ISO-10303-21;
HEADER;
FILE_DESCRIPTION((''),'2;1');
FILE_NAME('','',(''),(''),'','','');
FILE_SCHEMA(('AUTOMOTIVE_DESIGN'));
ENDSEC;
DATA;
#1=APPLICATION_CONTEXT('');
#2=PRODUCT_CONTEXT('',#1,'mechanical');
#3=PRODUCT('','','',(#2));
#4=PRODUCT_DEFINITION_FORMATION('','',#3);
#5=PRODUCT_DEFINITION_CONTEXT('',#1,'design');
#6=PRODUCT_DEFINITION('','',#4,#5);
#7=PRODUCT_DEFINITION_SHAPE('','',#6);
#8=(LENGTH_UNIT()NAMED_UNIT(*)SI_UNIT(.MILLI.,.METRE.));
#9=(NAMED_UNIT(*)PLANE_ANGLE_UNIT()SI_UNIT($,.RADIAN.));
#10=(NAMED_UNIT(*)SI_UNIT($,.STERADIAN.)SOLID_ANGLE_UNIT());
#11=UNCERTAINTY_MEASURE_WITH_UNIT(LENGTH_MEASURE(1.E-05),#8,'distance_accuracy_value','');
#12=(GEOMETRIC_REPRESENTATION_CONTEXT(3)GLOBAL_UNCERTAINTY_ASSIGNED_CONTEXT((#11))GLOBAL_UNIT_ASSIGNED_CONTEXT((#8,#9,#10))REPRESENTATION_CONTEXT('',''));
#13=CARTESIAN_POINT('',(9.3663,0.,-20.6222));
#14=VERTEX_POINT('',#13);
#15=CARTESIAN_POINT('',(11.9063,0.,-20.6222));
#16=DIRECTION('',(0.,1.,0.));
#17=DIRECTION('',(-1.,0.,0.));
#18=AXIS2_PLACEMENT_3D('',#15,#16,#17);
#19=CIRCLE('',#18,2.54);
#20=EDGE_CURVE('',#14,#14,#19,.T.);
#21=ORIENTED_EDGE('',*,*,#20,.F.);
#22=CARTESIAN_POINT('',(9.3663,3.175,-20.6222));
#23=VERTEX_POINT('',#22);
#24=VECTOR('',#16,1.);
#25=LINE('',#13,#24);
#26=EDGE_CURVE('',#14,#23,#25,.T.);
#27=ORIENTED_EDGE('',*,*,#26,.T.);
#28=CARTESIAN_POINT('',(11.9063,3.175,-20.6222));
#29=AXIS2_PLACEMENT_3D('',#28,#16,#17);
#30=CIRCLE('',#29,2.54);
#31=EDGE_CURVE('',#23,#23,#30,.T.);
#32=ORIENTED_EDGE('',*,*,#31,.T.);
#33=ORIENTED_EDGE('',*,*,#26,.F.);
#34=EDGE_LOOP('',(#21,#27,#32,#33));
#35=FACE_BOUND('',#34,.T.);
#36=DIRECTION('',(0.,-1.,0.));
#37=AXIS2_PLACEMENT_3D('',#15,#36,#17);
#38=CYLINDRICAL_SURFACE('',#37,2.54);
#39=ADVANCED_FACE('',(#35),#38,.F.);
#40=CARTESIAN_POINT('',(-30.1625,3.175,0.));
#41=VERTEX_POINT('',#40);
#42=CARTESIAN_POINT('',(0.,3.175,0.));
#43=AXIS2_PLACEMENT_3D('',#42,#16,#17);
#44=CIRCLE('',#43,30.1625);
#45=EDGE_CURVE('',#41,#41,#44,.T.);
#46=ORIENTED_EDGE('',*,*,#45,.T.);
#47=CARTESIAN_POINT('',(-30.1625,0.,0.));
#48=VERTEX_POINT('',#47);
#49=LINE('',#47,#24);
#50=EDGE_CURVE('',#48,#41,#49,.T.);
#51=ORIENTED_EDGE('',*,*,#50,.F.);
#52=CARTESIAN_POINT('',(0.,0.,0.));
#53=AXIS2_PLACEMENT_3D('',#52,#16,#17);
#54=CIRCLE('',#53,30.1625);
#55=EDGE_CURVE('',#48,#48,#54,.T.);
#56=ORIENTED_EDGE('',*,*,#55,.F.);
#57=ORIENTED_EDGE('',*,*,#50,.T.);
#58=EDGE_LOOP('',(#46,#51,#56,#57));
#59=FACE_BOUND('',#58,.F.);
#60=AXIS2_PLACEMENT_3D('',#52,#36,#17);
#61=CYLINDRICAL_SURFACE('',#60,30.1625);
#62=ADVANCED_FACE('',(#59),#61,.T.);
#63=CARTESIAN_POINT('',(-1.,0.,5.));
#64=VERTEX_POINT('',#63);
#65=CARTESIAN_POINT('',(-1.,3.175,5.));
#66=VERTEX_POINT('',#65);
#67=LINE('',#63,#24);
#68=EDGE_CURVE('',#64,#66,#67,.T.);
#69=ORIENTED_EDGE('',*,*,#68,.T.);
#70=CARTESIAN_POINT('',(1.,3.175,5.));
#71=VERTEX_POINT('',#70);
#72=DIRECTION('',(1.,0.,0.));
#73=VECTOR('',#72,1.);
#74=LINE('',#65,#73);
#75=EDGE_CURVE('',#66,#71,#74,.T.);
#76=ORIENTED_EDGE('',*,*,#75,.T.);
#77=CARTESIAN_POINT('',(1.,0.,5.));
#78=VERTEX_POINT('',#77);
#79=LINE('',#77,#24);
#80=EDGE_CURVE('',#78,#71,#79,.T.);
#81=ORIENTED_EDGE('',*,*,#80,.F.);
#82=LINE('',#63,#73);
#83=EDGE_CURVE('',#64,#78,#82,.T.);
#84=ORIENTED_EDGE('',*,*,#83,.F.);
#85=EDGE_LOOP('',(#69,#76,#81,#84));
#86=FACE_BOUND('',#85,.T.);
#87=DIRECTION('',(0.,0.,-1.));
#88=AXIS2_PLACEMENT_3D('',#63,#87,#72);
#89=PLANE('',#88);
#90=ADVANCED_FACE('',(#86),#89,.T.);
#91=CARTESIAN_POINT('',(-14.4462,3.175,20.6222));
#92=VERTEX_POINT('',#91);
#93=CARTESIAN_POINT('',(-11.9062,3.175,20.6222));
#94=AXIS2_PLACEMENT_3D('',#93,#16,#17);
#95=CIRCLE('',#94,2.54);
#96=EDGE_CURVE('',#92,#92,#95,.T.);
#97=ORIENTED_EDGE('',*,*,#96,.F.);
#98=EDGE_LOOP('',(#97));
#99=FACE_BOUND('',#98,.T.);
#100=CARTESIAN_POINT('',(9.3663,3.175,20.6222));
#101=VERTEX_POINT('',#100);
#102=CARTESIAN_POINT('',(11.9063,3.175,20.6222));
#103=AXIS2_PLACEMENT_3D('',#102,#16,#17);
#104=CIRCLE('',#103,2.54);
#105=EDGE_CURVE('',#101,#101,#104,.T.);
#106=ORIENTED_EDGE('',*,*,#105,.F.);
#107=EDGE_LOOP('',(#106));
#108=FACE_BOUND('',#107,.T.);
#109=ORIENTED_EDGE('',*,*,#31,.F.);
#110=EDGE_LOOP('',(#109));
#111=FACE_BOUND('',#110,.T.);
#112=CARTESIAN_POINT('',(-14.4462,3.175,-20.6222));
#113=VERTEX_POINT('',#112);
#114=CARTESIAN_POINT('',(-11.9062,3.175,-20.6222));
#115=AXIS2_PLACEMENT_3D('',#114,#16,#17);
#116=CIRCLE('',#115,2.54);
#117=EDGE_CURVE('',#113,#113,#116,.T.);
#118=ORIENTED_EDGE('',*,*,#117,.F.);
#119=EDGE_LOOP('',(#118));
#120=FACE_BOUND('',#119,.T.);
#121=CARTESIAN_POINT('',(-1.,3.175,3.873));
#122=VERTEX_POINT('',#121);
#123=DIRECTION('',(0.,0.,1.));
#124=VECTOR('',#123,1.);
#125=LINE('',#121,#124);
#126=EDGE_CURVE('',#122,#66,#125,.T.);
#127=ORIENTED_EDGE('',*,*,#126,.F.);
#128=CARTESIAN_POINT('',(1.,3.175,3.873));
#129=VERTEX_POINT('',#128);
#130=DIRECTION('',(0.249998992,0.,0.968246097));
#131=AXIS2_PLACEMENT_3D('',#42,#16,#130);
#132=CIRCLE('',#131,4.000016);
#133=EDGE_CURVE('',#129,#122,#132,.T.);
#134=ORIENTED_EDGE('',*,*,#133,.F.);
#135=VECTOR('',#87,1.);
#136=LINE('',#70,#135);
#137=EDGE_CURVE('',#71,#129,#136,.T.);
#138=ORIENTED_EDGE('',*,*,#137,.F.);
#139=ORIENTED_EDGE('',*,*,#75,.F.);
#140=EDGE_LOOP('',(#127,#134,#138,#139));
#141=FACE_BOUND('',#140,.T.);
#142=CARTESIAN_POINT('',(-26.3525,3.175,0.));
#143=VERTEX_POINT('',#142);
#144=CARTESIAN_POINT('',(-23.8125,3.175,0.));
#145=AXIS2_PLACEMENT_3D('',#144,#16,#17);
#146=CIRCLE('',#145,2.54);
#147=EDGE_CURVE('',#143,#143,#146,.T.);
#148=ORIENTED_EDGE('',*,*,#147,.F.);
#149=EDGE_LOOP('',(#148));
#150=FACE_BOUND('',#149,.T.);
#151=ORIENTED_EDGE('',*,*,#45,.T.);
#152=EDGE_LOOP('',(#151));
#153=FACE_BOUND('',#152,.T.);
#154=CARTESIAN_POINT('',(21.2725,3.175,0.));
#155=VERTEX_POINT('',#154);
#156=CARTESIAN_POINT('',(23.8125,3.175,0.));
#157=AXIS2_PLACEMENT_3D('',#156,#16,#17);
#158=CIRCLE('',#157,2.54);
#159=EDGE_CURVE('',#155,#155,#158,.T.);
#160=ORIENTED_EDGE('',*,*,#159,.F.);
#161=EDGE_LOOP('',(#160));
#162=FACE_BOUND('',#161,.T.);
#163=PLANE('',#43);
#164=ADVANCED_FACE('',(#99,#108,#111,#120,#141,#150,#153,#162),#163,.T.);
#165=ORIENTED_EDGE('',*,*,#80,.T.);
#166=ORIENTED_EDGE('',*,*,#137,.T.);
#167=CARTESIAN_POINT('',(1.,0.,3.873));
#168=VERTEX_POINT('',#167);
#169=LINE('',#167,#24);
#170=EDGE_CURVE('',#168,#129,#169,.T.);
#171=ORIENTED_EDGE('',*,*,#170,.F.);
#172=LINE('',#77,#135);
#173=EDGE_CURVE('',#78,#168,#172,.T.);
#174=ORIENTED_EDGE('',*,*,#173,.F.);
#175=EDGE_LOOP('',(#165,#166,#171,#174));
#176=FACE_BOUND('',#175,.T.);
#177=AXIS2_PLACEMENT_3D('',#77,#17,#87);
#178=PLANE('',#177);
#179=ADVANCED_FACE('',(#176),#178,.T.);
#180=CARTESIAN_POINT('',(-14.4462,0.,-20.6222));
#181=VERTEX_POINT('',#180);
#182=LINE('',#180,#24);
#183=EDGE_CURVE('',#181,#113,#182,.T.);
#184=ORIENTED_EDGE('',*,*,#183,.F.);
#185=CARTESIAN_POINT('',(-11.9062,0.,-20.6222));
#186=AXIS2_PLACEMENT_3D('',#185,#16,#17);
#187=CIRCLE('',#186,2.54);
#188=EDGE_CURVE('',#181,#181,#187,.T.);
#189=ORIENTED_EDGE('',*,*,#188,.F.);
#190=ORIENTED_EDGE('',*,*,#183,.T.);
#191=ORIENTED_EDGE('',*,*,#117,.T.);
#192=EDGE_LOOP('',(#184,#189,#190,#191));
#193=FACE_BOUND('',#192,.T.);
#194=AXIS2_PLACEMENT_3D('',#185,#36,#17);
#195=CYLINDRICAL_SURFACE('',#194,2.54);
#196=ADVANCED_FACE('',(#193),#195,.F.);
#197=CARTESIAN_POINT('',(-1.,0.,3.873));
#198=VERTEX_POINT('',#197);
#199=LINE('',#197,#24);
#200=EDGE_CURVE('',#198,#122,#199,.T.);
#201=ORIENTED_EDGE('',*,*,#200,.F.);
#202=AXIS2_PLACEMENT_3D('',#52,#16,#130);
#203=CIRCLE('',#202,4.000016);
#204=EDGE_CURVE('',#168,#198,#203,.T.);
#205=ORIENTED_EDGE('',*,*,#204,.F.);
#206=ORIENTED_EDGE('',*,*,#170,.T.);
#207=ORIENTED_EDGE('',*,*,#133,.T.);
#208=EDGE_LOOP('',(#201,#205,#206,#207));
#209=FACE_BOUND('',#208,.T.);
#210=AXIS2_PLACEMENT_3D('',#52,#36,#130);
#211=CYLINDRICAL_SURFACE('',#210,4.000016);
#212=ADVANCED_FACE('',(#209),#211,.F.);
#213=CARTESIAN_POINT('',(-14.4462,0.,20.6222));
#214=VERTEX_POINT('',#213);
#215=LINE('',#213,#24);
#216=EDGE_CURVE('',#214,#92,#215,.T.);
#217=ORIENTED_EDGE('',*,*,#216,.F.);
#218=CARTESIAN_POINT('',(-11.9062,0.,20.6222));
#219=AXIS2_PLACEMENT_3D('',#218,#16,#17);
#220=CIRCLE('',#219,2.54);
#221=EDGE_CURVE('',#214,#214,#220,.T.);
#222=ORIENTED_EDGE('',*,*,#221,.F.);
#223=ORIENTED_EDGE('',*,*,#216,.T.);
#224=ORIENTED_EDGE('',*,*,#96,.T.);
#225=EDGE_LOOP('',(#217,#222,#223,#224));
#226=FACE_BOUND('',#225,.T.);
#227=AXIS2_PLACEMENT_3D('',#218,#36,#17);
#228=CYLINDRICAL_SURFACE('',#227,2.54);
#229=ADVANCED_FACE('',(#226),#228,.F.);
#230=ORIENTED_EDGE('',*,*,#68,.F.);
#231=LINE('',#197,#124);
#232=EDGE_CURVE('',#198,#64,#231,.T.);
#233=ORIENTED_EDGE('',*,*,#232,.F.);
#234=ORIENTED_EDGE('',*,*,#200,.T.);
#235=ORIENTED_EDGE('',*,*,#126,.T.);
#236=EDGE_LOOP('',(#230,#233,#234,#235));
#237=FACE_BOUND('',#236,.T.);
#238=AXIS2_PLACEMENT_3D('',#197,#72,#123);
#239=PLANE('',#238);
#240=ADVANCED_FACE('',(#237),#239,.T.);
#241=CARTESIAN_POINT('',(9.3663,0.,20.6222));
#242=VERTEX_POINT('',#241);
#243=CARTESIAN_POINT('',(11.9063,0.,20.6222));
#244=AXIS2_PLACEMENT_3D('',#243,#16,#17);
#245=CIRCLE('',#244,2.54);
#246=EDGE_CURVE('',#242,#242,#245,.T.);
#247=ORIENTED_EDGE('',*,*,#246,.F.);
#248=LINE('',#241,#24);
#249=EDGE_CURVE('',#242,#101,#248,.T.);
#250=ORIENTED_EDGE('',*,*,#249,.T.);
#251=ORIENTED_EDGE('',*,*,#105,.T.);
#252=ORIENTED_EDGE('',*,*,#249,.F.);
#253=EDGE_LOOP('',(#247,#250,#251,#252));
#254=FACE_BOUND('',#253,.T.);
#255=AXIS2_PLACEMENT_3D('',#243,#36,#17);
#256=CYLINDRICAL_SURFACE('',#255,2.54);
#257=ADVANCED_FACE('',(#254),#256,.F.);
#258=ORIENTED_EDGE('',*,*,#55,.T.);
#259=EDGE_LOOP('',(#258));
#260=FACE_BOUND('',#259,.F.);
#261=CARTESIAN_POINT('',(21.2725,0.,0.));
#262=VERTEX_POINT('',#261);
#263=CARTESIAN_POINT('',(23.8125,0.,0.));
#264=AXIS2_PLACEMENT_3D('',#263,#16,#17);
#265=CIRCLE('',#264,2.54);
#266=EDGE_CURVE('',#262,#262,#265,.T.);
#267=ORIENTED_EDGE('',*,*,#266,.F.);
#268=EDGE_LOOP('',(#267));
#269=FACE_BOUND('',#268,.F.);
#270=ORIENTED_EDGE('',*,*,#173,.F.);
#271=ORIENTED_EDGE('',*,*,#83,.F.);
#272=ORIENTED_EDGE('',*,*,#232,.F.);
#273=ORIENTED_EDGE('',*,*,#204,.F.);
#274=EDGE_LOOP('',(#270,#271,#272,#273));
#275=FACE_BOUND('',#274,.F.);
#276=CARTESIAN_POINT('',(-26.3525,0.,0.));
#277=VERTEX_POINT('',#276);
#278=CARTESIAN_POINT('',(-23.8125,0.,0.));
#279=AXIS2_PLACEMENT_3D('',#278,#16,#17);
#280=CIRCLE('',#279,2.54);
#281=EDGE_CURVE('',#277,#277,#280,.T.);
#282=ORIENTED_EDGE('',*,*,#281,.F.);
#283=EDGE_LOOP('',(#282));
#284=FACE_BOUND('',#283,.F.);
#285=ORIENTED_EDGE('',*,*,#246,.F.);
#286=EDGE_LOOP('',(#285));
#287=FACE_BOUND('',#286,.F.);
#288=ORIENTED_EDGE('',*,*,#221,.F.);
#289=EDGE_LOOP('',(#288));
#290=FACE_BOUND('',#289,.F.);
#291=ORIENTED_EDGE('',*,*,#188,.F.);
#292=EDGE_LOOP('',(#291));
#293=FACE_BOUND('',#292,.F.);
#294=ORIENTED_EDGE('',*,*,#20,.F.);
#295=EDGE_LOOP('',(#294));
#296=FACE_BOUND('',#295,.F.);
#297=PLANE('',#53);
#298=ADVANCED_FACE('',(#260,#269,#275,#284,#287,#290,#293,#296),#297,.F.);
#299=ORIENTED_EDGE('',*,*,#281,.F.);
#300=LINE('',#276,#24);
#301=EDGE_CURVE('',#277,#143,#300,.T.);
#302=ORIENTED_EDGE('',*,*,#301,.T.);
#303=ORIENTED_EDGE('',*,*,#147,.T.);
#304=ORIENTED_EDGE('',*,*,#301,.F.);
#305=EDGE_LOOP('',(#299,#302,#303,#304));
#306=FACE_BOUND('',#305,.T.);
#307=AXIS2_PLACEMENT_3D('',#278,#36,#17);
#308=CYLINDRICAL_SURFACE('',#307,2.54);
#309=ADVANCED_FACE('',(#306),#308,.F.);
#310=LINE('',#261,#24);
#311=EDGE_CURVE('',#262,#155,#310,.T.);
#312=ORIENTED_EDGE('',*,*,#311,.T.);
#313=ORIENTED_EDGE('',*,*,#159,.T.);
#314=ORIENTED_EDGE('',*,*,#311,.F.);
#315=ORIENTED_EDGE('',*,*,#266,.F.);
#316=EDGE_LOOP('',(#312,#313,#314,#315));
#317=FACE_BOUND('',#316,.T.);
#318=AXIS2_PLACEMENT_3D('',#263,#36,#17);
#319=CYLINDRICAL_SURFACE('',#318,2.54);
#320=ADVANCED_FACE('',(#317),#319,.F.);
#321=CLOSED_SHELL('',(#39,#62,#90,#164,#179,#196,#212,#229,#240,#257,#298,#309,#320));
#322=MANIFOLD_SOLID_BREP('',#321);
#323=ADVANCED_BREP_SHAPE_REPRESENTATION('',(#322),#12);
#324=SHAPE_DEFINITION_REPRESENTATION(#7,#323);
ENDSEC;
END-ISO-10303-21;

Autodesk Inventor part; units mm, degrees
ref_plane "YZ Plane" through (0, 0, 0) normal (1, 0, 0) x (0, 1, 0)
ref_plane "XZ Plane" through (0, 0, 0) normal (0, 1, 0) x (-1, 0, 0)
ref_plane "XY Plane" through (0, 0, 0) normal (0, 0, 1) x (1, 0, 0)
sketch "Sketch1" plane through (0, 0, 0) normal (0, 1, 0) x (-1, 0, 0)
  circle A0 centre (-23.8125, 0) radius 2.54
  circle A1 centre (-11.9063, 20.6222) radius 2.54
  circle A2 centre (11.9062, 20.6222) radius 2.54
  circle A3 centre (23.8125, 0) radius 2.54
  circle A4 centre (-11.9063, -20.6222) radius 2.54
  circle A5 centre (11.9062, -20.6222) radius 2.54
  circle A6 centre (0, 0) radius 30.1625
  arc A7 (-1, 3.873) -> (1, 3.873) centre (0, 0) ccw
  line L0 (1, 3.873) -> (1, 5)
  line L1 (1, 5) -> (-1, 5)
  line L2 (-1, 5) -> (-1, 3.873)
  dimension "d0" = 5.08
  dimension "d6" = 5.08
  dimension "d8" = 5.08
  dimension "d10" = 5.08
  dimension "d11" = 60.325
  dimension "d15" = 8
  dimension "d19" = 1
  dimension "d20" = 1
  dimension "d22" = 0
  dimension "d23" = 1
extrude "Extrusion2" add sketch "Sketch1" along normal blind 3.175
properties part number "Pneumatic Hub" material "Aluminum 6061"
